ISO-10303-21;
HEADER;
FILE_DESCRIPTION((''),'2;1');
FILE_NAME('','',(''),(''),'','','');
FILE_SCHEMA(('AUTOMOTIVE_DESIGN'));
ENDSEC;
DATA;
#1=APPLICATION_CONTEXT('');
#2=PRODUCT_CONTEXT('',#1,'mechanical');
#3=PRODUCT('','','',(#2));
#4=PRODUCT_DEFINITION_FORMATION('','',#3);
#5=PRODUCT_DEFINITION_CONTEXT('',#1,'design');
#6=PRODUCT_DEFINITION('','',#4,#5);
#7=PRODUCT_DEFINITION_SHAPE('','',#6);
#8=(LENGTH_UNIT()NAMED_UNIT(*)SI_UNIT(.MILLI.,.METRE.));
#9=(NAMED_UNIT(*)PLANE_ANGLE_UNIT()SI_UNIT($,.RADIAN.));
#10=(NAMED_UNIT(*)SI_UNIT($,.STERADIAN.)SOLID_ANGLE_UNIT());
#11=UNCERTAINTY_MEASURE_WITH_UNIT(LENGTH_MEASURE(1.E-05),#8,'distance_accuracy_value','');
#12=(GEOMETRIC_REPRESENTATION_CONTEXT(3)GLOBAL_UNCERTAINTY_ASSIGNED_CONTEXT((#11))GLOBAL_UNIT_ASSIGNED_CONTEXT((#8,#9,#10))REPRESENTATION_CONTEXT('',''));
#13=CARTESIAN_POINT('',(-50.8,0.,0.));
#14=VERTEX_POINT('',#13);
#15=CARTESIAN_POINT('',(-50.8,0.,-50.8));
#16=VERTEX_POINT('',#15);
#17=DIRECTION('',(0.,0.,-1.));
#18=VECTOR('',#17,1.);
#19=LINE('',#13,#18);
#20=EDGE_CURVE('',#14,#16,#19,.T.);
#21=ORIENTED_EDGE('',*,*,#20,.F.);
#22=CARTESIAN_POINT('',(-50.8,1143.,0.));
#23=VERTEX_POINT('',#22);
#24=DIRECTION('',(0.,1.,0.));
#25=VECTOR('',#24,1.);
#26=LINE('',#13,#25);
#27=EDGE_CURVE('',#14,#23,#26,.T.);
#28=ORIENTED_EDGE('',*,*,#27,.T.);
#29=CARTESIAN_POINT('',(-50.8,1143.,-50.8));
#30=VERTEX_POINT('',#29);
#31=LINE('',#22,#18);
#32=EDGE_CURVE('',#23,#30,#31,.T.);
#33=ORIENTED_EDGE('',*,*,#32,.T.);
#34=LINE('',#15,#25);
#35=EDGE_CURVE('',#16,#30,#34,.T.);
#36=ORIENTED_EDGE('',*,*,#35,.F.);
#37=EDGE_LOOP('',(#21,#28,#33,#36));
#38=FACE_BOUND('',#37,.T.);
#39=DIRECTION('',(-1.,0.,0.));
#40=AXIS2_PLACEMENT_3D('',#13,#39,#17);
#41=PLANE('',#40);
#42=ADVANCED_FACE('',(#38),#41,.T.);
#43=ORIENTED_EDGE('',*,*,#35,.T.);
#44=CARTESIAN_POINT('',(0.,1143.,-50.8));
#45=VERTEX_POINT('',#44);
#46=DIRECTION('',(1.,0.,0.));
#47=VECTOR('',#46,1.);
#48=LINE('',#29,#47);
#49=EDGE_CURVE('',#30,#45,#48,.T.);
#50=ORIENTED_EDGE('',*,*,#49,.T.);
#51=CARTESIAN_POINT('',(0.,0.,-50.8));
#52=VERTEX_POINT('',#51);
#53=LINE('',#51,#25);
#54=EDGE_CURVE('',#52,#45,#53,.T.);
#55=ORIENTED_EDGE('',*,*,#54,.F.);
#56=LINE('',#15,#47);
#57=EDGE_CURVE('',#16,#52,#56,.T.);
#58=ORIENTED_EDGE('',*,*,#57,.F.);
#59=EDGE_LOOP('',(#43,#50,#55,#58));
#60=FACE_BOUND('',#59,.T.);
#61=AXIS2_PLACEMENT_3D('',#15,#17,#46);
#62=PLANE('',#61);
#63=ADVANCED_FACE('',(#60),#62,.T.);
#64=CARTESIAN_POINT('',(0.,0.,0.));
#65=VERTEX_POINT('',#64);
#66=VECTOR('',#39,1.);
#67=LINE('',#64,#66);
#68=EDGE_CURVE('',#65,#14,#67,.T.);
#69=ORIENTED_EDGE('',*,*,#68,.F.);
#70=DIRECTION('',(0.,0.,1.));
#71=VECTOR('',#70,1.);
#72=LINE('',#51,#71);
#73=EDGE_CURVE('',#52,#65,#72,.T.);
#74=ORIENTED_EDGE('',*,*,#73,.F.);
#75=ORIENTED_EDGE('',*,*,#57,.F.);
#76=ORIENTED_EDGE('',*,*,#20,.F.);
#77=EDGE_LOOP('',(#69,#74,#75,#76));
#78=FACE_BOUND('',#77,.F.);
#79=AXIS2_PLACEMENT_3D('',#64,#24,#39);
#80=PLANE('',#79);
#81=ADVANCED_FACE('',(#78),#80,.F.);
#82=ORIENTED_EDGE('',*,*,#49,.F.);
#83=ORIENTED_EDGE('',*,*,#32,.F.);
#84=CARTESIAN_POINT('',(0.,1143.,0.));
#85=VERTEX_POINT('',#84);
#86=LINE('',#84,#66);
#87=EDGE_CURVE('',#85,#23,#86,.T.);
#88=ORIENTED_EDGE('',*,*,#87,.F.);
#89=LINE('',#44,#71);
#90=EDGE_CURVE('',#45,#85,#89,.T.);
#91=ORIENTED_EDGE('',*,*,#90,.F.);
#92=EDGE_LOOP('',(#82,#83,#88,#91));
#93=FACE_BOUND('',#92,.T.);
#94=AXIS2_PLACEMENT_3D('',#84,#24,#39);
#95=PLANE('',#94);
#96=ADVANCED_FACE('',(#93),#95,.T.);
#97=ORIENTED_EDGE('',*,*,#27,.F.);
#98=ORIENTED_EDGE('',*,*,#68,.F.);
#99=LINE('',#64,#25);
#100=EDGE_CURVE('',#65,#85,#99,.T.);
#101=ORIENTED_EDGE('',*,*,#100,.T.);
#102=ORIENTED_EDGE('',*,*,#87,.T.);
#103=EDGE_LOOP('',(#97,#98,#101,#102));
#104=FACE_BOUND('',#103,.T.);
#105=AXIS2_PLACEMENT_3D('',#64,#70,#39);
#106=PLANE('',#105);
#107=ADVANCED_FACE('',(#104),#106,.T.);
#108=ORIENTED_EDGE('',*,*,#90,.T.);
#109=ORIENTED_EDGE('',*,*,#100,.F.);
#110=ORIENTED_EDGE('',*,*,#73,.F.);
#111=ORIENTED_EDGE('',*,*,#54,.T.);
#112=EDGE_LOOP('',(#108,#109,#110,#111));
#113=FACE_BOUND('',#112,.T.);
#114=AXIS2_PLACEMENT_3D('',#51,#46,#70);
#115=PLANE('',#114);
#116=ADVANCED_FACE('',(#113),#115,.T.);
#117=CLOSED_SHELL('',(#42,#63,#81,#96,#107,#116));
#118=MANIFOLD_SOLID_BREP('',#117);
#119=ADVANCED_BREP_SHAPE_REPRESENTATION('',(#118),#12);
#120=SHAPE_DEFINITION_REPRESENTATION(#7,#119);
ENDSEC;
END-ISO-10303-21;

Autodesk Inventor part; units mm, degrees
ref_plane "XZ Plane" through (0, 0, 0) normal (0, 1, 0) x (-1, 0, 0)
ref_plane "XY Plane" through (0, 0, 0) normal (0, 0, 1) x (1, 0, 0)
sketch "Sketch1" plane through (0, 0, 0) normal (0, 1, 0) x (-1, 0, 0)
  line L0 (0, 0) -> (50.8, 0)
  line L1 (50.8, 0) -> (50.8, -50.8)
  line L2 (50.8, -50.8) -> (0, -50.8)
  line L3 (0, -50.8) -> (0, 0)
  dimension "d0" = 50.8
  dimension "d1" = 50.8
extrude "Extrusion1" add sketch "Sketch1" along normal blind 1143
ref_plane "Work Plane1" through (-25.4, 0, 0) normal (1, 0, 0) x (0, 1, 0)
properties part number "SailPost-ver3-1111-2021"
